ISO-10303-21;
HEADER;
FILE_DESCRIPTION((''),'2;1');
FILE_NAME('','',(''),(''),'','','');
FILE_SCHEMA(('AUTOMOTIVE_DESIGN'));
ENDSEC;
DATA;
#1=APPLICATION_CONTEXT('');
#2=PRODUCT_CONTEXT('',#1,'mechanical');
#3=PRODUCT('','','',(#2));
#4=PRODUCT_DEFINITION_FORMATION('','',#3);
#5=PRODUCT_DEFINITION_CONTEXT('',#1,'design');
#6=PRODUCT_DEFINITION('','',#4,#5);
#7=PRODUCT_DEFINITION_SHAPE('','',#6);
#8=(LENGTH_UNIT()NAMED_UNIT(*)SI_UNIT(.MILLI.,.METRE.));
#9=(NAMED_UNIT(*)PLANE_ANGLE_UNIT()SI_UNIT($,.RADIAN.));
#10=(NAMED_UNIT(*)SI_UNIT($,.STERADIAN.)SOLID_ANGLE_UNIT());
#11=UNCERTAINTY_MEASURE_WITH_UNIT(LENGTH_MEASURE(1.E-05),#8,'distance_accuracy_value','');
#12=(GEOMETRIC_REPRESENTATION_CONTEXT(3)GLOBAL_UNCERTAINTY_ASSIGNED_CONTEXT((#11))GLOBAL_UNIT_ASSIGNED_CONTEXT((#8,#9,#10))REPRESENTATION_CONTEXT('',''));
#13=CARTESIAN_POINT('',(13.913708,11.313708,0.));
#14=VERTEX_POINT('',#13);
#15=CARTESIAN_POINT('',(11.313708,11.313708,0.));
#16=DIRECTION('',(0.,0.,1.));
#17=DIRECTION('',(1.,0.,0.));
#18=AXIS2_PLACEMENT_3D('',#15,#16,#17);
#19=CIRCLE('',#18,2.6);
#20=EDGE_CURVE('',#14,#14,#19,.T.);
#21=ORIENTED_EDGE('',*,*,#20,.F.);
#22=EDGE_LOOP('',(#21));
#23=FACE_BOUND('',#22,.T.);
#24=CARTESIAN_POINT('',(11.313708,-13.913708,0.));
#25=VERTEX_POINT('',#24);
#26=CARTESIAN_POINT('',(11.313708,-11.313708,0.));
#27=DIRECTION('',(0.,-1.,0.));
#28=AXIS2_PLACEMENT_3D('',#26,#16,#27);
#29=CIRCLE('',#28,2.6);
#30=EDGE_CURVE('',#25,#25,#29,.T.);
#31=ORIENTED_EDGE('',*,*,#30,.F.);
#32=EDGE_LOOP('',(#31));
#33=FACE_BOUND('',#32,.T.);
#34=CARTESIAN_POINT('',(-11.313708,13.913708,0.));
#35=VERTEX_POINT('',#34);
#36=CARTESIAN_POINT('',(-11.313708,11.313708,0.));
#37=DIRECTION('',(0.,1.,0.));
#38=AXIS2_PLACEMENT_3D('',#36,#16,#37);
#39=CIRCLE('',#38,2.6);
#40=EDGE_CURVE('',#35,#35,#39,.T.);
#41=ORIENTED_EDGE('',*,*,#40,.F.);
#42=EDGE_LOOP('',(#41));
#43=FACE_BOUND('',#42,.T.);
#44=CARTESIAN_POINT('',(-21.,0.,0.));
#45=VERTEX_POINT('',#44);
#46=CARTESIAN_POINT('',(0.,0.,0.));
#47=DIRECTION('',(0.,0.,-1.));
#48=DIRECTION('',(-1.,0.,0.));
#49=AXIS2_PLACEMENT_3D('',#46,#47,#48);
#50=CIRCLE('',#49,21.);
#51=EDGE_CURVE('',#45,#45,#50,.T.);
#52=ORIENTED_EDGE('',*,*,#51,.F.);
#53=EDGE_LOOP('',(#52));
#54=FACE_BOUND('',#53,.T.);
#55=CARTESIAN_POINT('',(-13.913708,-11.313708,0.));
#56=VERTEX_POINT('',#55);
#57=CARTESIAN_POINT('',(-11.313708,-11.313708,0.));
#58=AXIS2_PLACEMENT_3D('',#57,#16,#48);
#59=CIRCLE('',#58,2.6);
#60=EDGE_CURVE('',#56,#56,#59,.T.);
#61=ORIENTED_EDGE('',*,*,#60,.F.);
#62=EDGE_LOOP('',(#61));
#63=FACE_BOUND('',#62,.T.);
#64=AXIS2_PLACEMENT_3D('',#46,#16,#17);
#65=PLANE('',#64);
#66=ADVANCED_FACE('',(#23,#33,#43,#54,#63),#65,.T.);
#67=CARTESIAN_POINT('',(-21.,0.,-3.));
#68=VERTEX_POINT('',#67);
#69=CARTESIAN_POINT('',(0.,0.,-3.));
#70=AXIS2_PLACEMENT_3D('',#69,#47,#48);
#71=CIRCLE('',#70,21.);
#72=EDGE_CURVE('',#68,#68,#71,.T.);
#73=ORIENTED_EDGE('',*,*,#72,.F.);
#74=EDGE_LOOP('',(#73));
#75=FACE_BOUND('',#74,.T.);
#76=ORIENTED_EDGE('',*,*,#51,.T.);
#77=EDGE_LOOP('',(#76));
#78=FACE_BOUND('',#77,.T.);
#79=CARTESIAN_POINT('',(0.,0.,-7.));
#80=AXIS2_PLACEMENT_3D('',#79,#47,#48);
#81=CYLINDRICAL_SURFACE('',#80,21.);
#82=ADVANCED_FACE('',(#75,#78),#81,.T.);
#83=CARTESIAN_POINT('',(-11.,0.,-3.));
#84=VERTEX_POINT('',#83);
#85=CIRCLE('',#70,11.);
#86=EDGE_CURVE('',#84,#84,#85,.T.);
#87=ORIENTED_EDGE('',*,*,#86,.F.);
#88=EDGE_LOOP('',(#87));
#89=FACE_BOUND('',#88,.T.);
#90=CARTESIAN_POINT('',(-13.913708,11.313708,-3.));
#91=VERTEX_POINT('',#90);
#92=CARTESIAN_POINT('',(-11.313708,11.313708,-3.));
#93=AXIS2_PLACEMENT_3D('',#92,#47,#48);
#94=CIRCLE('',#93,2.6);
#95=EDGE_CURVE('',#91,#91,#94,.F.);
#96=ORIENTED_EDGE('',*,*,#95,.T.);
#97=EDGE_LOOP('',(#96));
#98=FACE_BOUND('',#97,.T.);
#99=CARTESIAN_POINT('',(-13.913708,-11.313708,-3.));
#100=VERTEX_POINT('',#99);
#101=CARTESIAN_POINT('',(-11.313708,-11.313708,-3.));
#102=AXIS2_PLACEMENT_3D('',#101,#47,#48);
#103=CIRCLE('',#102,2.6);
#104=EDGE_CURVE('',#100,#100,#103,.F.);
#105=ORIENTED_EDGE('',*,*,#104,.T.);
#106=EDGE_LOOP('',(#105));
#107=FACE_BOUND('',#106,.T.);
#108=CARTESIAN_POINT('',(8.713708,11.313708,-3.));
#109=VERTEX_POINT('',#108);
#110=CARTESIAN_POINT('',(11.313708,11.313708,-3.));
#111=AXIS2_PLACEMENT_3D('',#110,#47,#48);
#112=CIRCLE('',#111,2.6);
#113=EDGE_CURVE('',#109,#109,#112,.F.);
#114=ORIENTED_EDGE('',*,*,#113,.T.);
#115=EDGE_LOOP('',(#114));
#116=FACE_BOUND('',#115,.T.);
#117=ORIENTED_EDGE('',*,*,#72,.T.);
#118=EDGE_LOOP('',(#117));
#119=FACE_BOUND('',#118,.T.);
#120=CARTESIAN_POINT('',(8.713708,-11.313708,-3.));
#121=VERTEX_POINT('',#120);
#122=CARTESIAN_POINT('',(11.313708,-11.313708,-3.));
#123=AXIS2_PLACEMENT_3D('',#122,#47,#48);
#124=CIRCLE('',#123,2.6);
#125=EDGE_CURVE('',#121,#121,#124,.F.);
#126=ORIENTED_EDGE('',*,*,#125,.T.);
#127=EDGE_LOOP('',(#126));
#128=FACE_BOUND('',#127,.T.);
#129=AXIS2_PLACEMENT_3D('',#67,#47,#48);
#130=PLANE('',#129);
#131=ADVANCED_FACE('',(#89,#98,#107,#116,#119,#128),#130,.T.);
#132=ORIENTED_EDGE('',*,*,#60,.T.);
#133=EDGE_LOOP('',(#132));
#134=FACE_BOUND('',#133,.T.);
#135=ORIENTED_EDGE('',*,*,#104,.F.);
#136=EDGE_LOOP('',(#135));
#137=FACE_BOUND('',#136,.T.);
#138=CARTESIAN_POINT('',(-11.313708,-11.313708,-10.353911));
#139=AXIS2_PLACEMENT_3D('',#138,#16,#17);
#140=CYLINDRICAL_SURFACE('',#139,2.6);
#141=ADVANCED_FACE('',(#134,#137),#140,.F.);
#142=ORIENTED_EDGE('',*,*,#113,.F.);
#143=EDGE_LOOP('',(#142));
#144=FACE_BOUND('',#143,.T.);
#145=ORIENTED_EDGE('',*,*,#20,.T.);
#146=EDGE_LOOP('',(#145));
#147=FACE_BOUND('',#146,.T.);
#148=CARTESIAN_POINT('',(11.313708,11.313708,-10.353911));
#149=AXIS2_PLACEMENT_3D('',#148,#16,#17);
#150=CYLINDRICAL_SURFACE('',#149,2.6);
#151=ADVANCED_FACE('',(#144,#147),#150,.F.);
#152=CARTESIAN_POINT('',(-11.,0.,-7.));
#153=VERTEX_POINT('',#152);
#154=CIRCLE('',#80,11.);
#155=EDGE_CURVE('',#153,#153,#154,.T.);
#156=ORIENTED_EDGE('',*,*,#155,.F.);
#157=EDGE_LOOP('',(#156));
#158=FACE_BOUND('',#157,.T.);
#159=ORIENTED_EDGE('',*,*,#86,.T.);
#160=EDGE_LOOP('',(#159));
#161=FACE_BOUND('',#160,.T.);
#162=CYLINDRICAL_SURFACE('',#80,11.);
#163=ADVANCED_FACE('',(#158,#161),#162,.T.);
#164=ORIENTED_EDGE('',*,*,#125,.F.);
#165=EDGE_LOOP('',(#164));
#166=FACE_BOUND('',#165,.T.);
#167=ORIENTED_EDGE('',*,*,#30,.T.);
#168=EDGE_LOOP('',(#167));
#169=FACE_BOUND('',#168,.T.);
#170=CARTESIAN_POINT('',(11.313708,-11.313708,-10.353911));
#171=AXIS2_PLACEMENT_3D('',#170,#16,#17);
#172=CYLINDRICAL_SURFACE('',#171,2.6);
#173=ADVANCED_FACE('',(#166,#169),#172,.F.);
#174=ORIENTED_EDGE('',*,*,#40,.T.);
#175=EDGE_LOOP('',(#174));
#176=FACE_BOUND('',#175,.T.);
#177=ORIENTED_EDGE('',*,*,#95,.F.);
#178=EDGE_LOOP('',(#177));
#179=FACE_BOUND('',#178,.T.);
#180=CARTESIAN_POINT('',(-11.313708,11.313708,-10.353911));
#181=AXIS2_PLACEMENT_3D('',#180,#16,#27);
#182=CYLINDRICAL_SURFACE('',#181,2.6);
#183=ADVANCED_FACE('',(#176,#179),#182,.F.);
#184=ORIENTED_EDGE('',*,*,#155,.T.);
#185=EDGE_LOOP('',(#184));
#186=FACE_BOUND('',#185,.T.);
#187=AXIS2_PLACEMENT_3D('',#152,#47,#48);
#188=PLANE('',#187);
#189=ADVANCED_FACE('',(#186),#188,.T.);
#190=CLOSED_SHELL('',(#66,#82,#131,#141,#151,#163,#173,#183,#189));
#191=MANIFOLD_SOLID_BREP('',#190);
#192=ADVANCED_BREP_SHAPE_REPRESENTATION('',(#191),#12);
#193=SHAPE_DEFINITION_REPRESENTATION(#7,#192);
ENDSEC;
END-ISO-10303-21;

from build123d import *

# Parameters (mm, degrees)
SKETCH_2_R               = 2.6
CUT_EXTRUDE_1_DEPTH      = 3
PATTERN_CIRCULAR_1_COUNT = 4


with BuildPart() as part:
    # Эскиз1 → Повернуть1 (revolve)
    with BuildSketch(Plane(origin=(0, 0, 0), x_dir=(1, 0, 0), z_dir=(0, 1, 0))):
        Polygon((0, 0), (-21, 0), (-21, 3), (-11, 3), (-11, 7), (0, 7), align=None)
    revolve(axis=Axis((0, 0, -7), (0, 0, 1)))

    # Эскиз2 → Вырез-Вытянуть1 (cut)
    with BuildSketch(Plane.XY):
        with Locations((11.313708499, 11.313708499)):
            Circle(SKETCH_2_R)
    cut_extrude_1 = extrude(amount=-CUT_EXTRUDE_1_DEPTH, mode=Mode.SUBTRACT)

    # Круговой массив1: Вырез-Вытянуть1 ×4 about axis
    pattern_circular_1_axis = Axis((0, 0, 0), (0, 0, 1))
    for i in range(1, PATTERN_CIRCULAR_1_COUNT):
        add(cut_extrude_1.rotate(pattern_circular_1_axis, i * 360 / PATTERN_CIRCULAR_1_COUNT), mode=Mode.SUBTRACT)


solid = part.part
